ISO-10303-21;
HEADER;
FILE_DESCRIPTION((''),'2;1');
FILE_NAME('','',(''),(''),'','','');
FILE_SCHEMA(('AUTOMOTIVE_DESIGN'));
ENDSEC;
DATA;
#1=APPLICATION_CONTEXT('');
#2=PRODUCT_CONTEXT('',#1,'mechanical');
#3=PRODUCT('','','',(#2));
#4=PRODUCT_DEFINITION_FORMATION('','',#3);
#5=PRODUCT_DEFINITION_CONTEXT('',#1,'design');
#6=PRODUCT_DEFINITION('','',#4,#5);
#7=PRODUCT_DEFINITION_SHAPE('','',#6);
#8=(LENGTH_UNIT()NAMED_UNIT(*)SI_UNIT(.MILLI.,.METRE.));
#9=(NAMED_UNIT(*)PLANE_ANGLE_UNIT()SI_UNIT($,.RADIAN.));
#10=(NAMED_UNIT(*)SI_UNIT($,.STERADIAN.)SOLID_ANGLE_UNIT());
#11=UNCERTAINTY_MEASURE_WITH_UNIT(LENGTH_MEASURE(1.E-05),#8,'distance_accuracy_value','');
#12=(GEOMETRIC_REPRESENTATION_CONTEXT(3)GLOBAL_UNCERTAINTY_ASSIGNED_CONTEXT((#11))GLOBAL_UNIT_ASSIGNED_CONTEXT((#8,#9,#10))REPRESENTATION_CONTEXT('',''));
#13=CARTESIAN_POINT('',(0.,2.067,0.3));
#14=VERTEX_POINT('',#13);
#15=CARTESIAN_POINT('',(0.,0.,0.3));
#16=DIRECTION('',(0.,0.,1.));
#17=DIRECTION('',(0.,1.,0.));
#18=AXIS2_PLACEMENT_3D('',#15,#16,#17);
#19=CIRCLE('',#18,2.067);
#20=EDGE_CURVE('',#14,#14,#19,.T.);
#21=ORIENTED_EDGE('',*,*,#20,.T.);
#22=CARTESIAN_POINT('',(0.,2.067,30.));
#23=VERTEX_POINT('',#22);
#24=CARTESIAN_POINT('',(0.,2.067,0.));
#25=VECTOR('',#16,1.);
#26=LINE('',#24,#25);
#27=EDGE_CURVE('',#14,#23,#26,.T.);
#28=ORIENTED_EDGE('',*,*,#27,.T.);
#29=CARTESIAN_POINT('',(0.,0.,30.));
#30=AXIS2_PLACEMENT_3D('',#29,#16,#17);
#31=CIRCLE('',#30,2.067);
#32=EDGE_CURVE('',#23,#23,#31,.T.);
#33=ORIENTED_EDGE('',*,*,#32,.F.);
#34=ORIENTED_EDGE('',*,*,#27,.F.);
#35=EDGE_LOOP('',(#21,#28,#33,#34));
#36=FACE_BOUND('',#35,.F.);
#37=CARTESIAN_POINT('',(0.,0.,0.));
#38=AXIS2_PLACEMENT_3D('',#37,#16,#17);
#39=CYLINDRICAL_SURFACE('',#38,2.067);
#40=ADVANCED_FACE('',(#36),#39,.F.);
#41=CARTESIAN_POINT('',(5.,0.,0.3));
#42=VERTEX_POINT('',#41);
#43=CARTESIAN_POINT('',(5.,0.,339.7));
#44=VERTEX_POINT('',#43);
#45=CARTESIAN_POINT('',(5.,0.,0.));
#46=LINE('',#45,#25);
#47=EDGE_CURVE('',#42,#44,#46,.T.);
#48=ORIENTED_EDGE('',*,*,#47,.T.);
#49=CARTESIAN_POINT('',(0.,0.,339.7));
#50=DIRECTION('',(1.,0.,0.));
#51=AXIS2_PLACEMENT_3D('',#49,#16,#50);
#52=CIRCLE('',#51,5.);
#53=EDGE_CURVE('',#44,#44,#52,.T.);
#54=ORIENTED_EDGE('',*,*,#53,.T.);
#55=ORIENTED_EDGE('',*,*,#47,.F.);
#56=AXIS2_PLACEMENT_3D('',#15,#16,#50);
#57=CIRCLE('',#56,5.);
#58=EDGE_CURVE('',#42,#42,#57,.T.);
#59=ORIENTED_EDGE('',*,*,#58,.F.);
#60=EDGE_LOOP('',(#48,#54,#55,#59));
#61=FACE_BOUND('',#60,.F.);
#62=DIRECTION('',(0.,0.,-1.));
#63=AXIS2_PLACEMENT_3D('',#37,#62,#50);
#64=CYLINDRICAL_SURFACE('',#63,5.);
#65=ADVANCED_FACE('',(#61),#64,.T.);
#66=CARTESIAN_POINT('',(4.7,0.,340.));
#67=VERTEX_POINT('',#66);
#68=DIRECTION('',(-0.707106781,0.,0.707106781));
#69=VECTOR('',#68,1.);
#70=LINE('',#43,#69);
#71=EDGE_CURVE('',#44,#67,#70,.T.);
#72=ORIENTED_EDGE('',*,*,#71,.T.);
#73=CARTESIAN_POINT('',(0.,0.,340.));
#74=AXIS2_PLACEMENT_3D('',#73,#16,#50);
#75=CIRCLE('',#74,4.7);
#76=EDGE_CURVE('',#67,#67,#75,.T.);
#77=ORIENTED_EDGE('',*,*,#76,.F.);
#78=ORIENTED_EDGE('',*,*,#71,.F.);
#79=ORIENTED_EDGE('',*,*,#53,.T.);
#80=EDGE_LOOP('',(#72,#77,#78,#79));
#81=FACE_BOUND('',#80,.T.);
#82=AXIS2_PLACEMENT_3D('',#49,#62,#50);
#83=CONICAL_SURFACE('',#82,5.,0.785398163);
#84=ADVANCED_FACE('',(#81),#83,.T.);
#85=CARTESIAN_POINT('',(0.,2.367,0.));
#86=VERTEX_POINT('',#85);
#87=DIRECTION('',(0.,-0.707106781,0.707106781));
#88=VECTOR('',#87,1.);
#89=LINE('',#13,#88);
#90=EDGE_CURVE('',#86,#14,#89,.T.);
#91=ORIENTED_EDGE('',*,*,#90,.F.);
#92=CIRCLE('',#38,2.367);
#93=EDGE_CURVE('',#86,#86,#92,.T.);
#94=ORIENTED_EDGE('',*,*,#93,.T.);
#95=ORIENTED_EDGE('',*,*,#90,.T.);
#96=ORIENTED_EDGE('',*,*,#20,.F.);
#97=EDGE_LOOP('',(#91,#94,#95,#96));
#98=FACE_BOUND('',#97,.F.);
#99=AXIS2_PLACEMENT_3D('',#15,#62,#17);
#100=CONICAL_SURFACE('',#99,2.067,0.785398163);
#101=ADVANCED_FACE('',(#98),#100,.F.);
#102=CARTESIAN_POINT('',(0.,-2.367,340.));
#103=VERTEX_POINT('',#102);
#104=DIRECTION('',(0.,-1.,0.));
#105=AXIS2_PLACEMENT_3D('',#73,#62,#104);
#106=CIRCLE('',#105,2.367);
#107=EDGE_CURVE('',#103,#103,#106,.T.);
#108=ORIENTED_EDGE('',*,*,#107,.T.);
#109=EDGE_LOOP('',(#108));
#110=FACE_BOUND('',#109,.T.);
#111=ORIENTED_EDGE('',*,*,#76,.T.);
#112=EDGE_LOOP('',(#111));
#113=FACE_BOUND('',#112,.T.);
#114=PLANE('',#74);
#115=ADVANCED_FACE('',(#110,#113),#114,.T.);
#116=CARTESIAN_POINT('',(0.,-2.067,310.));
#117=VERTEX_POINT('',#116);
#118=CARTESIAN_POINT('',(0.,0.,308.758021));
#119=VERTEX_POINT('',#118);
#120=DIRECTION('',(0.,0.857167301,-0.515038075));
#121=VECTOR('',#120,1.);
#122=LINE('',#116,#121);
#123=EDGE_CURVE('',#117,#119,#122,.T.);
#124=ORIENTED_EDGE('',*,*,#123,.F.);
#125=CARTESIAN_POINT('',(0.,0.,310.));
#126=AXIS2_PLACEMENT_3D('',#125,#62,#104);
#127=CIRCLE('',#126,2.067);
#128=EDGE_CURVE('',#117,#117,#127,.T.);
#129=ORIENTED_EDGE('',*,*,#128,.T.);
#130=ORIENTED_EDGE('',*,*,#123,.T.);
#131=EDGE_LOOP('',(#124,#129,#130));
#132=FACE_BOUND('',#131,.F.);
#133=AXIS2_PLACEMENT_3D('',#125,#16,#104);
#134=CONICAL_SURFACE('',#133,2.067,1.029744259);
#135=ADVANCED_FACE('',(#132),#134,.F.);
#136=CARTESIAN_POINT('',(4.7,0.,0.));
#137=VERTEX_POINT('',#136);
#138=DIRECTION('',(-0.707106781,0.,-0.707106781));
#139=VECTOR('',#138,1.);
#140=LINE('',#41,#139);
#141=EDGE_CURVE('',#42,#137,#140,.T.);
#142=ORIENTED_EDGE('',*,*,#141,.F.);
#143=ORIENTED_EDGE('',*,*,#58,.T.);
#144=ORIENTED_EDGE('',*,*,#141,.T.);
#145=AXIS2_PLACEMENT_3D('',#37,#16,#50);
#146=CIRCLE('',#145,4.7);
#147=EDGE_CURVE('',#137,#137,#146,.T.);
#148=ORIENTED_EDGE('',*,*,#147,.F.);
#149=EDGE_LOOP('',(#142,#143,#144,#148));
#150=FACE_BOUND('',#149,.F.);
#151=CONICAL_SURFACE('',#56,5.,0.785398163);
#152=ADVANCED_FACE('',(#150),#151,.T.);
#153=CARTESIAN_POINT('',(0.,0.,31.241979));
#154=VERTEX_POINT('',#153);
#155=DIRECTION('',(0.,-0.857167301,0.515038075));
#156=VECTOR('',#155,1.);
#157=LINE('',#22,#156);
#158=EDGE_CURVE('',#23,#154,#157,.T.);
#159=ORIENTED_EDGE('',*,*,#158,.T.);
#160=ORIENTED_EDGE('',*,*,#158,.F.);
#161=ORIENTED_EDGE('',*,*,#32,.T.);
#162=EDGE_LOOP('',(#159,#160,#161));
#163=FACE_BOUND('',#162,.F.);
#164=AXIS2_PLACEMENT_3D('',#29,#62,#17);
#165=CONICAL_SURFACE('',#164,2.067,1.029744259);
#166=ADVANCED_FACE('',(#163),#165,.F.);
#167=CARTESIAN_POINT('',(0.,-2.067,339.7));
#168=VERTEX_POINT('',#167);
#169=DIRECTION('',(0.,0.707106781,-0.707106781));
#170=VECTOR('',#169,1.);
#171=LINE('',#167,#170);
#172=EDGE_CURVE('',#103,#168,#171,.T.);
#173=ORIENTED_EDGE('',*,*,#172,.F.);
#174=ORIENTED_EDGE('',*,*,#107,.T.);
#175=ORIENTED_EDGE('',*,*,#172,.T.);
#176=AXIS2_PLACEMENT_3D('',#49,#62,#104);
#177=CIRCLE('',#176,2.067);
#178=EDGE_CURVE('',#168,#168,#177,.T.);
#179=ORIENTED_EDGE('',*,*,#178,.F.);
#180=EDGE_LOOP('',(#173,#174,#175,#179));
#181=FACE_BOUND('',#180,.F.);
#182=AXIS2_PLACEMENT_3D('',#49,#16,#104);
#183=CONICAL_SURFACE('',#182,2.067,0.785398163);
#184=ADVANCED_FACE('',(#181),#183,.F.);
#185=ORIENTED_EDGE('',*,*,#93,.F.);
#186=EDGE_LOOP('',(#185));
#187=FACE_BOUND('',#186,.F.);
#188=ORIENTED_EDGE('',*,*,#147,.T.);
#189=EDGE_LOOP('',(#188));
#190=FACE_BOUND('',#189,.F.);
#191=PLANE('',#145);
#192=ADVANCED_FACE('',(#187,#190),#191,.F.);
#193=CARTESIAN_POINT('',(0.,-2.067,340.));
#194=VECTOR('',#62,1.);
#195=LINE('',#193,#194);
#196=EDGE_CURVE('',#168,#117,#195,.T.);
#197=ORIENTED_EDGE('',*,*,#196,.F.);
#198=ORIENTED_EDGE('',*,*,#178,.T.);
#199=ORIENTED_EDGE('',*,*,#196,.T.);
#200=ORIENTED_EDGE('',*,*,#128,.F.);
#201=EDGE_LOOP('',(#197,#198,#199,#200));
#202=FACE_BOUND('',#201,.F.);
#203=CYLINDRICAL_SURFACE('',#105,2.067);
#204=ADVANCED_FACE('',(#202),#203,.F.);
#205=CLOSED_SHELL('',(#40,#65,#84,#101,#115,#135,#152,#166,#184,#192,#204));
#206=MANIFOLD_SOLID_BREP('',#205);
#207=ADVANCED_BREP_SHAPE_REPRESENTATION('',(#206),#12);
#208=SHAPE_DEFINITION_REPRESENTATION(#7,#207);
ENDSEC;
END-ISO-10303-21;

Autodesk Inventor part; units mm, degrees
ref_plane "YZ Plane" through (0, 0, 0) normal (1, 0, 0) x (0, 1, 0)
ref_plane "XZ Plane" through (0, 0, 0) normal (0, 1, 0) x (-1, 0, 0)
ref_plane "XY Plane" through (0, 0, 0) normal (0, 0, 1) x (1, 0, 0)
sketch "スケッチ1" plane through (0, 0, 0) normal (0, 0, 1) x (1, 0, 0)
  circle A0 centre (0, 0) radius 5
  dimension "d0" = 10
extrude "押し出し1" add sketch "スケッチ1" along normal blind 340
sketch "スケッチ2" plane through (0, 0, 340) normal (0, 0, 1) x (1, 0, 0)
  point P0 (0, 0)
sketch "スケッチ3" plane through (0, 0, 0) normal (0, 0, -1) x (-1, 0, 0)
  point P0 (0, 0)
hole "穴1" at (0, 0, 340) direction (0, 0, -1) diameter 4.134 depth 30 tip angle 118 thread size "M5x0.8" class "6H" standard "ISO Metric profile"
hole "穴2" at (0, 0, 0) direction (0, 0, 1) diameter 4.134 depth 30 tip angle 118 thread size "M5x0.8" class "6H" standard "ISO Metric profile"
chamfer "面取り1" distance 0.3 angle 45 4 edges at (-5, 0, 340) (-5, 0, 0) (0, 2.067, 340) (0, -2.067, 0)
properties part number "BaseSlide_p10ALshaft" material "アルミニウム 2014-T6"
